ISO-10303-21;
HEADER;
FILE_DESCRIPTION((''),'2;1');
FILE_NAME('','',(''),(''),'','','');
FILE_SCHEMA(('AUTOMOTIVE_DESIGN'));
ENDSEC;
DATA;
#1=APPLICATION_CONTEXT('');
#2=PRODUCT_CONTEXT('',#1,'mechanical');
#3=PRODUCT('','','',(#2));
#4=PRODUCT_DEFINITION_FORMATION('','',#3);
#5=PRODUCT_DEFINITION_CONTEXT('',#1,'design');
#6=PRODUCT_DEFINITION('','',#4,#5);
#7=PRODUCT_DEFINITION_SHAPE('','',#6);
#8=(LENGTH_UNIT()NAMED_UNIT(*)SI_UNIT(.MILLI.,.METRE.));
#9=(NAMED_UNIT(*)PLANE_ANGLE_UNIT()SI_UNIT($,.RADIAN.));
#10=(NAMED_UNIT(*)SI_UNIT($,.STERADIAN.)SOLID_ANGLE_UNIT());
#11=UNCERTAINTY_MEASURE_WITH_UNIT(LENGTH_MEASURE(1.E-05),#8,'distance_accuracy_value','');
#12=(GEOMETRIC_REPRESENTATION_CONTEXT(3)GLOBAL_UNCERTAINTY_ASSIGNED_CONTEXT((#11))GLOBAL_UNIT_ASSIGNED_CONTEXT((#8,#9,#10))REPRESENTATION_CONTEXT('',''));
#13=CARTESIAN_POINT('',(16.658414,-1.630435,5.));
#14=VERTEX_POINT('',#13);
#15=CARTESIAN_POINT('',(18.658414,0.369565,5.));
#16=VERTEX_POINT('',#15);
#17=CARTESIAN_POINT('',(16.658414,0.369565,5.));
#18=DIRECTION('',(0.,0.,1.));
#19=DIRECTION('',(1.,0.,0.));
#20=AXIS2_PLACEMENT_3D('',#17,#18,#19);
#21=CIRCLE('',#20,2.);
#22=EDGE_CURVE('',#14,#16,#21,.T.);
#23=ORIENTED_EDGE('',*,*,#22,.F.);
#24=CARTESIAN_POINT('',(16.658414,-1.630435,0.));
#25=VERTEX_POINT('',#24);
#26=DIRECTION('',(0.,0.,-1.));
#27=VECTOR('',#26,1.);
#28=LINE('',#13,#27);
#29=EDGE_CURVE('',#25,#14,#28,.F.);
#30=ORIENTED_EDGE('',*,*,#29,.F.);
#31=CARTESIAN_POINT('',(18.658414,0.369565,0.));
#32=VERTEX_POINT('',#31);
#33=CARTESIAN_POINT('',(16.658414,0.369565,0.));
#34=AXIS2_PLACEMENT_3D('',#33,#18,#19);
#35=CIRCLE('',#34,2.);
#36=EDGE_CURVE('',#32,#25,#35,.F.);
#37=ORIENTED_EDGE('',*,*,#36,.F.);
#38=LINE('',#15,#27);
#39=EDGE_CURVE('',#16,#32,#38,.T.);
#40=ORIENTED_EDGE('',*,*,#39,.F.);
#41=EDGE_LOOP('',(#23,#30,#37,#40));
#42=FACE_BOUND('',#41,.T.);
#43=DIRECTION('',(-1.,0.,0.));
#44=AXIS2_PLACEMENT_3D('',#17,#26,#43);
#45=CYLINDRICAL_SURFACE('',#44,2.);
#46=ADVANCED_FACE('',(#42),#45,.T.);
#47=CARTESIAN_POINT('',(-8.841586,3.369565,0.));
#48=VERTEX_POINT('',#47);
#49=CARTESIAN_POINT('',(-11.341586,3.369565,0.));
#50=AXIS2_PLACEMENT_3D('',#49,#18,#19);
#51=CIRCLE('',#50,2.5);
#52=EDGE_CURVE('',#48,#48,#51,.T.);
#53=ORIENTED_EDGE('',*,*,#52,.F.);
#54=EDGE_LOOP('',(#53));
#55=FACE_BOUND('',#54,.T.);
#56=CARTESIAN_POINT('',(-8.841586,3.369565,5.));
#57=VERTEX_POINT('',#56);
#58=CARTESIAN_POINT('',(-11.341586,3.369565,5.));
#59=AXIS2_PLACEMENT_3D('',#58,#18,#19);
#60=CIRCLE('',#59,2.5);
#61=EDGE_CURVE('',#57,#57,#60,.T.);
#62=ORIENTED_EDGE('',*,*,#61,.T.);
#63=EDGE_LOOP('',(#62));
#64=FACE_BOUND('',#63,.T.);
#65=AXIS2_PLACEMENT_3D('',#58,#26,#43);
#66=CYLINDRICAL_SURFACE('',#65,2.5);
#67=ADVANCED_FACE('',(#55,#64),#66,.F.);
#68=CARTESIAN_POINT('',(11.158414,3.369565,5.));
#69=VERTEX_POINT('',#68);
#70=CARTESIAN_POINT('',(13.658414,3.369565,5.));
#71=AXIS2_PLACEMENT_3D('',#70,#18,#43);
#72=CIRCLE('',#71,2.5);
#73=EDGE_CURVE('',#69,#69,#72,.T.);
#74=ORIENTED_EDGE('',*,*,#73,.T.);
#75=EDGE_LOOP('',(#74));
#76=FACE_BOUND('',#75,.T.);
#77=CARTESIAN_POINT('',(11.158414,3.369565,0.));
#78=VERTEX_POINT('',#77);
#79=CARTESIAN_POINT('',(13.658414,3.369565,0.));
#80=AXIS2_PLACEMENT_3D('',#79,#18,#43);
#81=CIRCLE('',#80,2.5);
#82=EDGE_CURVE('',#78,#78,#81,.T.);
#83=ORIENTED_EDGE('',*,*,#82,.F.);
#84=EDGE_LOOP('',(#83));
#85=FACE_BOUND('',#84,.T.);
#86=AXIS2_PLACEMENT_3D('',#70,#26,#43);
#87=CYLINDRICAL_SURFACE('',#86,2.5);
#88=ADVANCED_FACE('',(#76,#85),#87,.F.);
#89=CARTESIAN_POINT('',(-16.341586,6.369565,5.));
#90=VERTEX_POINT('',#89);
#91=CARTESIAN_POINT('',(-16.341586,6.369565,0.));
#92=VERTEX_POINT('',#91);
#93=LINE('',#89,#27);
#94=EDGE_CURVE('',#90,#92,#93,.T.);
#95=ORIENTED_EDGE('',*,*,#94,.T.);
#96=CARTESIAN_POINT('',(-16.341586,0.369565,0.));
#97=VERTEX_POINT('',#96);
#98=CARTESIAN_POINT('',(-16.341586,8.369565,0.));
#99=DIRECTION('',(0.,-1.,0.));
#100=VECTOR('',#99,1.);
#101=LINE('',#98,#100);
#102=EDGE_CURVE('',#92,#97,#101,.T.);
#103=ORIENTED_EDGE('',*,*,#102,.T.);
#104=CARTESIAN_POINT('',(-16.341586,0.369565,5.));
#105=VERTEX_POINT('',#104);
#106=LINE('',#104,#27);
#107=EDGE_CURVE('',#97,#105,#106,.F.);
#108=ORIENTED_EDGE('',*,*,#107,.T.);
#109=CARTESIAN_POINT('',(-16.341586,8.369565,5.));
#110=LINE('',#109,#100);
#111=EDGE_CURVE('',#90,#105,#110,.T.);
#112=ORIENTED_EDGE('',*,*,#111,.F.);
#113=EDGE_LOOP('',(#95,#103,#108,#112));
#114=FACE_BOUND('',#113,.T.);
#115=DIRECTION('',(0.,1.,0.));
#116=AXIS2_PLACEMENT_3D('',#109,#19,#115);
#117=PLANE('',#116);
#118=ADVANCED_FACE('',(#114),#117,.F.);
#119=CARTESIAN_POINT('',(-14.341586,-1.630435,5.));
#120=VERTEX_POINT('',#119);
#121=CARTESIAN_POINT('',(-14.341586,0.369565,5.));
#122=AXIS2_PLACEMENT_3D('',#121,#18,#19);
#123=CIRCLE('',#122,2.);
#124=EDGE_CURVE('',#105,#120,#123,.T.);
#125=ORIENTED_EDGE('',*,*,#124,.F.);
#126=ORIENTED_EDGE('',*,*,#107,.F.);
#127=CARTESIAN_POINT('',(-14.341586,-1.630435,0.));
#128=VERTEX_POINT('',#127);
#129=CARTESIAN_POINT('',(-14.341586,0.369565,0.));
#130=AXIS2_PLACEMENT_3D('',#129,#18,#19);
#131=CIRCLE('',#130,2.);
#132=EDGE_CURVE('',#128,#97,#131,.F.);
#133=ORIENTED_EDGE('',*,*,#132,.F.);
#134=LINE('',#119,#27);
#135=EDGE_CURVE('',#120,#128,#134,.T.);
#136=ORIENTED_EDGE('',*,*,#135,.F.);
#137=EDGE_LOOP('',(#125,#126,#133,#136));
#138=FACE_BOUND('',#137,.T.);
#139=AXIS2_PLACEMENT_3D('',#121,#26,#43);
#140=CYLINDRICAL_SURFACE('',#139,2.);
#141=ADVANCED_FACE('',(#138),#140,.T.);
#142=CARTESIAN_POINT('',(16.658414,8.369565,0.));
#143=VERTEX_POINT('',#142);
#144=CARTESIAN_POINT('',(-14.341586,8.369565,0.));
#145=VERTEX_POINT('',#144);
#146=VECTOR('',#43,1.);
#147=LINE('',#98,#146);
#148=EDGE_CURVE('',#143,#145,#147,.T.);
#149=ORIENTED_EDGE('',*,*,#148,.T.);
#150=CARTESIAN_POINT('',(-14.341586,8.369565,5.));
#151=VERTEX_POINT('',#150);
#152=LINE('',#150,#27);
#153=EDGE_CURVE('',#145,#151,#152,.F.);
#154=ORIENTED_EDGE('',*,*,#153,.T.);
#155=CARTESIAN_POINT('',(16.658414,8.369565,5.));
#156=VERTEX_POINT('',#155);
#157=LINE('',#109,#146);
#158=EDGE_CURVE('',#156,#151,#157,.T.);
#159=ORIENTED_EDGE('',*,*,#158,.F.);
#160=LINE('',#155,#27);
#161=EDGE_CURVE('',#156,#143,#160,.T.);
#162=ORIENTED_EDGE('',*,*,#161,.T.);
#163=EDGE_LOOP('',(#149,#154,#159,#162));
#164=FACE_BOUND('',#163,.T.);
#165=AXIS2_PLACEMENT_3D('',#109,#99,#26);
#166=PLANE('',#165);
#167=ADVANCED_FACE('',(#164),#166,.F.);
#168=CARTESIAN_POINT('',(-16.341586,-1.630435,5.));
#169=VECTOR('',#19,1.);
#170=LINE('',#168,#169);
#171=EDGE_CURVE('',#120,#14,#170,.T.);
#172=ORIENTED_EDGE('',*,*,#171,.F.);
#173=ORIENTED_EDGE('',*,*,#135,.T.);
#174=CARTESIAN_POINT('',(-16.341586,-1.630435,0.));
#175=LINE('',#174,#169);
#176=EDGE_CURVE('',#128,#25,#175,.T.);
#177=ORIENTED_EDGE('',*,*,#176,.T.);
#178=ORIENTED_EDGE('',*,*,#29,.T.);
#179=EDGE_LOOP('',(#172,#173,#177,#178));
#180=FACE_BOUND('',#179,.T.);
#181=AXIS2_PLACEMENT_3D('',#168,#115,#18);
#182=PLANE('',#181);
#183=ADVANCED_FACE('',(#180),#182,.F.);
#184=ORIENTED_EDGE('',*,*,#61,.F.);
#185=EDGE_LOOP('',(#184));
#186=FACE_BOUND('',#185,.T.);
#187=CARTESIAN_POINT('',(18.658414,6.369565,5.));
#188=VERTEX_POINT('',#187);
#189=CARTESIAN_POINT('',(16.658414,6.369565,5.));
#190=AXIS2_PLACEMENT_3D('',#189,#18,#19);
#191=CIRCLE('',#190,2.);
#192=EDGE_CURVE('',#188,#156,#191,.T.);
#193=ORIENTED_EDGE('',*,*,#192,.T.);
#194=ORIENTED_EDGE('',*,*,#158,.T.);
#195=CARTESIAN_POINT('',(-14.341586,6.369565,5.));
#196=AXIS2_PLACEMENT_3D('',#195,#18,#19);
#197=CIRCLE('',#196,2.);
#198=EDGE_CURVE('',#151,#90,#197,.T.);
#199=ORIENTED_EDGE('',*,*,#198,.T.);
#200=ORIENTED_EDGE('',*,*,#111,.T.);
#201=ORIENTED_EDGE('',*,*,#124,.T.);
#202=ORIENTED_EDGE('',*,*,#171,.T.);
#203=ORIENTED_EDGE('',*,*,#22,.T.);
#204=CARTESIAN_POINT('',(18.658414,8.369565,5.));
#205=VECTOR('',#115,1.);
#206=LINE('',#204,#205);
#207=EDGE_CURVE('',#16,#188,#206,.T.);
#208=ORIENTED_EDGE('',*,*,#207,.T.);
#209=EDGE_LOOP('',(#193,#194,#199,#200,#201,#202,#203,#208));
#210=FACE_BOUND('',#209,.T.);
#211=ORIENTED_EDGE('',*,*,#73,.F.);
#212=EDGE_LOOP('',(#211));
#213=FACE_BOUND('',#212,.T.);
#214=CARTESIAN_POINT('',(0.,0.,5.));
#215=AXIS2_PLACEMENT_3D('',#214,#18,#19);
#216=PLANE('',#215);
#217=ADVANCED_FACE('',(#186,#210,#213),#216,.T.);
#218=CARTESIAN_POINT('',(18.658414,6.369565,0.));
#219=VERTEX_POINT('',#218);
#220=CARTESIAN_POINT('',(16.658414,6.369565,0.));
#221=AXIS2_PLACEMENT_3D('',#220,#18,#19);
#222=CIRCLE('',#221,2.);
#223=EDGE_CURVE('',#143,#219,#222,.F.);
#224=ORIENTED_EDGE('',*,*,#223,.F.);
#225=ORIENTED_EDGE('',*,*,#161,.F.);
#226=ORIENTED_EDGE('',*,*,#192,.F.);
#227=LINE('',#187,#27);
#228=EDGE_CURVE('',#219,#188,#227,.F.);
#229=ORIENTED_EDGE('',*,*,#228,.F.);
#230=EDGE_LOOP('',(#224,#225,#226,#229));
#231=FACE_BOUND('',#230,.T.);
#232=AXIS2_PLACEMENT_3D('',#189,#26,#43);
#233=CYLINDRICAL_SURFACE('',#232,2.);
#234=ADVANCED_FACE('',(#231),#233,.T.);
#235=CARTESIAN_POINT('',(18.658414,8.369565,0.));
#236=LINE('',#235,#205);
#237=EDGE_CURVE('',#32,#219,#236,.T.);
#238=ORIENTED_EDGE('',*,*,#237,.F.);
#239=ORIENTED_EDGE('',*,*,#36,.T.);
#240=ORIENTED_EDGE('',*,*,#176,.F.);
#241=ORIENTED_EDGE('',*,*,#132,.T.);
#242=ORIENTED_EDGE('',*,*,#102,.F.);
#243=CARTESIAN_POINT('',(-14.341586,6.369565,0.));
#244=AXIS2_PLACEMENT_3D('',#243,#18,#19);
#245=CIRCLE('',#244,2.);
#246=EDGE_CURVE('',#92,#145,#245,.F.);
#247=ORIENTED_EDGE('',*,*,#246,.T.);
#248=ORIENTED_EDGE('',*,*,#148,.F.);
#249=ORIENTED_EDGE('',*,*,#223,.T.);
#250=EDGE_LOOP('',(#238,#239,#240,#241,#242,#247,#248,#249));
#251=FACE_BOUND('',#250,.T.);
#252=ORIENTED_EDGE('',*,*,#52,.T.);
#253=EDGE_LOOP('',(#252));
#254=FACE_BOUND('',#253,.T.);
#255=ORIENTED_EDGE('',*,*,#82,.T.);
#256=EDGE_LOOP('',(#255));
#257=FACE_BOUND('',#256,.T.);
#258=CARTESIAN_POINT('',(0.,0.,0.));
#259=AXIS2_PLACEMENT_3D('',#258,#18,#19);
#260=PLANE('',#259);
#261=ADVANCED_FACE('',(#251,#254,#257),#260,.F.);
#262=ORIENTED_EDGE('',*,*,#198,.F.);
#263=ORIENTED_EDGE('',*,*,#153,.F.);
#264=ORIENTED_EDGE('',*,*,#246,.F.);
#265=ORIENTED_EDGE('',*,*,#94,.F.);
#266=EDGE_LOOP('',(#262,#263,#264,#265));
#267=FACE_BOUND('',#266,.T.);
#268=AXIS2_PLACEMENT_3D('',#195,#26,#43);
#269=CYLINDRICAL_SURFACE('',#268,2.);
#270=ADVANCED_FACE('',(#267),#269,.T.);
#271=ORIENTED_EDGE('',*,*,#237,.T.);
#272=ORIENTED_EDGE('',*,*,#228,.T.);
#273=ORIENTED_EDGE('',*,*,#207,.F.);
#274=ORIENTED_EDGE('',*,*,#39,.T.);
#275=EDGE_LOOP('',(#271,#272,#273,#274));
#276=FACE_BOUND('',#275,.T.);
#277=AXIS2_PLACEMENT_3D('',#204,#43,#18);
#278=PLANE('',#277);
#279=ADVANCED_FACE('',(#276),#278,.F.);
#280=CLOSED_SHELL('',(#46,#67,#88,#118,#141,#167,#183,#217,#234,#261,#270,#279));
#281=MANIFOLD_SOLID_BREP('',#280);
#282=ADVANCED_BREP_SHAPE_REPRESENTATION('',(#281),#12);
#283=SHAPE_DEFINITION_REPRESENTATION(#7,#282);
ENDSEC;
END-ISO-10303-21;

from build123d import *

# Parameters (mm, degrees)
ESQUISSE1_W        = 35
ESQUISSE1_H        = 10
ESQUISSE1_R        = 2.5
BOSS_EXTRU_1_DEPTH = 5
CONG_1_R           = 2
CONG_2_R           = 2
CONG_3_R           = 2
CONG_4_R           = 2


with BuildPart() as part:
    # Esquisse1 → Boss.-Extru.1 (new body)
    with BuildSketch(Plane.XY):
        with Locations((1.158413849, 3.369565217)):
            Rectangle(ESQUISSE1_W, ESQUISSE1_H)
        with Locations((-11.341586151, 3.369565217)):
            Circle(ESQUISSE1_R, mode=Mode.SUBTRACT)
        with Locations(Location((13.658413849, 3.369565217, 0), (0, 0, 180))):
            Circle(ESQUISSE1_R, mode=Mode.SUBTRACT)
    extrude(amount=BOSS_EXTRU_1_DEPTH)

    # Congé1
    cong_1_edges = [part.edges().sort_by_distance(p)[0] for p in [
        (-16.341586151, 8.369565217, 2.5),
    ]]
    fillet(cong_1_edges, radius=CONG_1_R)

    # Congé2
    cong_2_edges = [part.edges().sort_by_distance(p)[0] for p in [
        (-16.341586151, -1.630434783, 2.5),
    ]]
    fillet(cong_2_edges, radius=CONG_2_R)

    # Congé3
    cong_3_edges = [part.edges().sort_by_distance(p)[0] for p in [
        (18.658413849, 8.369565217, 2.5),
    ]]
    fillet(cong_3_edges, radius=CONG_3_R)

    # Congé4
    cong_4_edges = [part.edges().sort_by_distance(p)[0] for p in [
        (18.658413849, -1.630434783, 2.5),
    ]]
    fillet(cong_4_edges, radius=CONG_4_R)


solid = part.part
